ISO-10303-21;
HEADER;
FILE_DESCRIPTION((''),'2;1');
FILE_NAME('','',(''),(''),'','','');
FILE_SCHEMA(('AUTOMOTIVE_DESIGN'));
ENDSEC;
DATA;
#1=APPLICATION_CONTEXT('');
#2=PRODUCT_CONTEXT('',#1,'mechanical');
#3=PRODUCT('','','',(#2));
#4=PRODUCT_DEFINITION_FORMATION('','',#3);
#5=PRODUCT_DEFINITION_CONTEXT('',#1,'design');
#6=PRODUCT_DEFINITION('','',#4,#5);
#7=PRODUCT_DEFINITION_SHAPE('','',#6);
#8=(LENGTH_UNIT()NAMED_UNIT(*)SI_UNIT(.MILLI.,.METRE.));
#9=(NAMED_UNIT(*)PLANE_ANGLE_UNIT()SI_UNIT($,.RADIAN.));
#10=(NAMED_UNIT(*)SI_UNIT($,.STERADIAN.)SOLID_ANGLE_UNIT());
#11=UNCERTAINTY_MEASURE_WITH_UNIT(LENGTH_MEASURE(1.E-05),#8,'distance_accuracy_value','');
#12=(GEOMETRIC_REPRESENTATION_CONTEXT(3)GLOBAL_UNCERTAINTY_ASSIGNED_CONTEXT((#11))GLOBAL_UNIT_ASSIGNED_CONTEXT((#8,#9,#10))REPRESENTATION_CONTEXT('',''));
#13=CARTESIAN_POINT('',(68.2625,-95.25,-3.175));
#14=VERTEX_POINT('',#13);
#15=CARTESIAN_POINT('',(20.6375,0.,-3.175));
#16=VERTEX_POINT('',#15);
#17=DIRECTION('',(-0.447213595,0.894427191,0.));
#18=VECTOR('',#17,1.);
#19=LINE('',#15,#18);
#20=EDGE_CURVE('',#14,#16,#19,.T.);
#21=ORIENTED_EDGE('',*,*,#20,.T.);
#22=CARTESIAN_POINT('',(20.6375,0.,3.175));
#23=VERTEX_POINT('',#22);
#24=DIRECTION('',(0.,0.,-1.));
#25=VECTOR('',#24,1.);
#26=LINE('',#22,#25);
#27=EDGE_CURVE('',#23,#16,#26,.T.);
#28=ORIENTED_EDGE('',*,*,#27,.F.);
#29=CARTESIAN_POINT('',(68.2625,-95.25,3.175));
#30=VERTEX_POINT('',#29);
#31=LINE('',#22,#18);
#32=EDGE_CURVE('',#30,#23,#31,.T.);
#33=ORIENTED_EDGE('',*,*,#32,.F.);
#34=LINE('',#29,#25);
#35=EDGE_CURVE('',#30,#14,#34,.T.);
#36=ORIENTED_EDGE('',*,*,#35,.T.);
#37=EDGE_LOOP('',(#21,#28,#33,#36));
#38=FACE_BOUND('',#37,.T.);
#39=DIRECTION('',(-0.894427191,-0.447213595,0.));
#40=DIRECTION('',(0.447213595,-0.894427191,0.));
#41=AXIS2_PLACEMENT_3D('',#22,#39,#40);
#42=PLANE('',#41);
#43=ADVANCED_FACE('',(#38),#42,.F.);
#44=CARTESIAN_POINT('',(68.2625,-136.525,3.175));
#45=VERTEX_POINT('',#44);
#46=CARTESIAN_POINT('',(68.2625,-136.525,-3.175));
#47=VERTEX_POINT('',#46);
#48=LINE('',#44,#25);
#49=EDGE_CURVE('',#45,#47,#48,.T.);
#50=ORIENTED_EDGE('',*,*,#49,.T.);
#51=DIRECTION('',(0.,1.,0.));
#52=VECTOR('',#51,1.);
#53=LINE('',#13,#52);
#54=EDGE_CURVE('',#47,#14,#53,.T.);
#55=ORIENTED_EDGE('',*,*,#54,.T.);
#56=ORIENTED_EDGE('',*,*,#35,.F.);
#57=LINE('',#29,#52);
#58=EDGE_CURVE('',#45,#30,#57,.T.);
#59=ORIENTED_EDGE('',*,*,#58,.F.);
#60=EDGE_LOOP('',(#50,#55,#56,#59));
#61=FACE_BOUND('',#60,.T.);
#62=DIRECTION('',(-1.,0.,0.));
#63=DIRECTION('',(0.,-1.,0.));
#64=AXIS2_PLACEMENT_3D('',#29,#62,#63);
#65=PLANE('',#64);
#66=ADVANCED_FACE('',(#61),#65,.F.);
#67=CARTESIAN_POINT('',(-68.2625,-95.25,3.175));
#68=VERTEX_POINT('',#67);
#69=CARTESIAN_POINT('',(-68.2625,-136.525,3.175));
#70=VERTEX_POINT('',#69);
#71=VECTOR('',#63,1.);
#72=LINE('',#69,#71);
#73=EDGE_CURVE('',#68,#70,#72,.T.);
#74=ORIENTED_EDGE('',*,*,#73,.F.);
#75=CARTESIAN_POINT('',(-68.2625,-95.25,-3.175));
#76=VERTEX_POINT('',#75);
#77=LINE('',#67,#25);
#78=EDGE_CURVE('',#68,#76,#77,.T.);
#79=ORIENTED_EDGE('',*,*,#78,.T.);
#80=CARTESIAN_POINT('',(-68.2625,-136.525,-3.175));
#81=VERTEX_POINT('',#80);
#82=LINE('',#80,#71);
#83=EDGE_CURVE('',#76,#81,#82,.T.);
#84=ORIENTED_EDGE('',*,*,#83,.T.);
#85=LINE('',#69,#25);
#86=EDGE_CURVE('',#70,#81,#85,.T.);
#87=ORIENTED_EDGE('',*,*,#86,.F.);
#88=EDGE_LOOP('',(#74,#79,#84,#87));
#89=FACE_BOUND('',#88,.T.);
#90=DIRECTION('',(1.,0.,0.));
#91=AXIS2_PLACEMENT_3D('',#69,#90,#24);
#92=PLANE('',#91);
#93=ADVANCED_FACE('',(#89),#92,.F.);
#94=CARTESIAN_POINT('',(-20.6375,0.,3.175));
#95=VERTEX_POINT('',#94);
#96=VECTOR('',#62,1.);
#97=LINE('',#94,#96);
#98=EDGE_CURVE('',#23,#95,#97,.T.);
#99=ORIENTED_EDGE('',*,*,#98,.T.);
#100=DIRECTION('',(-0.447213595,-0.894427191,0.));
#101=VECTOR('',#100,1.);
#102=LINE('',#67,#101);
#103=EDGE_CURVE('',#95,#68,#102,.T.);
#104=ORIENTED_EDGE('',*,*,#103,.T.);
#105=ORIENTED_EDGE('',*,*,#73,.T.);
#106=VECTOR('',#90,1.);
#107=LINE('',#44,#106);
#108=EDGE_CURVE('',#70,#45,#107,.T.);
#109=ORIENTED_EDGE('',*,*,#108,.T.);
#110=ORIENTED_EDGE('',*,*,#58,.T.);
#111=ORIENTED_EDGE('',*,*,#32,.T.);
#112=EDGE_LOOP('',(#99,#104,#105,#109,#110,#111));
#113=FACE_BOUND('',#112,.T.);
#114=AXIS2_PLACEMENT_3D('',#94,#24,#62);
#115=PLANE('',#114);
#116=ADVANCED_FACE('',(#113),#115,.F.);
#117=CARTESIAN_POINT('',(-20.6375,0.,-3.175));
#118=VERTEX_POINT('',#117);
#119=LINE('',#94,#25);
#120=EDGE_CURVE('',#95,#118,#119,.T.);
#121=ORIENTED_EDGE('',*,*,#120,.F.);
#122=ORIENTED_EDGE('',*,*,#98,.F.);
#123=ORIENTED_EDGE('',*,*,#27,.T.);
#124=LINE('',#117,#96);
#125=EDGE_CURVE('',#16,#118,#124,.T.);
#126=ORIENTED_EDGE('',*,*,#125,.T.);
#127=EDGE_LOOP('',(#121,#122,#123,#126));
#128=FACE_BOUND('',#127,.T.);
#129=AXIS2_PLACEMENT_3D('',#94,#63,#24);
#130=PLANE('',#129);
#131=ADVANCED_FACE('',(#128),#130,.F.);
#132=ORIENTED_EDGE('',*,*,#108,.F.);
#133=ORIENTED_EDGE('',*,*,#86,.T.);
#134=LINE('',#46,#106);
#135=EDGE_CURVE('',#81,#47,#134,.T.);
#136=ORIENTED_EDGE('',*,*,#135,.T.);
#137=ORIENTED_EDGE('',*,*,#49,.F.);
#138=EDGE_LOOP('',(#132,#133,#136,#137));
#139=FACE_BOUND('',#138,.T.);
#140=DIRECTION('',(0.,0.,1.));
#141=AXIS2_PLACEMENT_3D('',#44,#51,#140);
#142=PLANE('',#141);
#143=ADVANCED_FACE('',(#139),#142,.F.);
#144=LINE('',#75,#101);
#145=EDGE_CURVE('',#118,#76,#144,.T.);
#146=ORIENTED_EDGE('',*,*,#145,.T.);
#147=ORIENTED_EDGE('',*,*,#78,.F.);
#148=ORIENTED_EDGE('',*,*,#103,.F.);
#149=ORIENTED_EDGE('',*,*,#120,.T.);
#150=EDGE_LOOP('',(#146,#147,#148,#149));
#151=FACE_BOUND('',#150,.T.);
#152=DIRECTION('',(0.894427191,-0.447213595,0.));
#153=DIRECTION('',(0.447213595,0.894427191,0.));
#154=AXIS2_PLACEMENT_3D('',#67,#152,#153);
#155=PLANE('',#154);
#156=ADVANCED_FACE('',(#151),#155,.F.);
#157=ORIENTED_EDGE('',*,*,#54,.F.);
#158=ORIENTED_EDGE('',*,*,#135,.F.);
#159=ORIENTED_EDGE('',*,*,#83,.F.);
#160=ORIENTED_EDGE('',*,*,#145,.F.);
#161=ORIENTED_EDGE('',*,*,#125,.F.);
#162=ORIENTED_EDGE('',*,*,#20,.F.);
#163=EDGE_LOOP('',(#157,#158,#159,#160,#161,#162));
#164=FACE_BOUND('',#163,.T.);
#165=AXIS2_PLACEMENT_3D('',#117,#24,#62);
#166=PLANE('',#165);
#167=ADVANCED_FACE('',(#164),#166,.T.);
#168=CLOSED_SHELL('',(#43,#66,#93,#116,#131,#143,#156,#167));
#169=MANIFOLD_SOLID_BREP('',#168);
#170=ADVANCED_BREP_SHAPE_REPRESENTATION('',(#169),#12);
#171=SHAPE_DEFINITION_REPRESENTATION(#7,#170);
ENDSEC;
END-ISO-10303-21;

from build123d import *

# Parameters (mm, degrees)
SKETCH1_R           = 7.14375
BOSS_EXTRUDE1_DEPTH = 3.175
BOSS_EXTRUDE3_START = -6.35
SKETCH2_R           = 7.14375
BOSS_EXTRUDE3_DEPTH = 6.35


with BuildPart() as part:
    # Sketch1 → Boss-Extrude1 (new, symmetric)
    with BuildSketch(Plane.XY):
        Polygon((-20.6375, 0), (20.6375, 0), (68.2625, -95.25), (68.2625, -136.525), (-68.2625, -136.525), (-68.2625, -95.25), align=None)
        with Locations((0, -115.8875)):
            Circle(SKETCH1_R, mode=Mode.SUBTRACT)
        with Locations((0, -68.2625)):
            Circle(SKETCH1_R, mode=Mode.SUBTRACT)
        with Locations((0, -20.6375)):
            Circle(SKETCH1_R, mode=Mode.SUBTRACT)
        with Locations((47.625, -115.8875)):
            Circle(SKETCH1_R, mode=Mode.SUBTRACT)
        with Locations((-47.625, -115.8875)):
            Circle(SKETCH1_R, mode=Mode.SUBTRACT)
    extrude(amount=BOSS_EXTRUDE1_DEPTH, both=True)

    # Sketch2 → Boss-Extrude3 (add)
    with BuildSketch(Plane.XY.offset(3.175).offset(BOSS_EXTRUDE3_START)):
        with Locations((0, -68.2625)):
            Circle(SKETCH2_R)
        with Locations((0, -20.6375)):
            Circle(SKETCH2_R)
        with Locations((-47.625, -115.8875)):
            Circle(SKETCH2_R)
        with Locations((0, -115.8875)):
            Circle(SKETCH2_R)
        with Locations((47.625, -115.8875)):
            Circle(SKETCH2_R)
    extrude(amount=BOSS_EXTRUDE3_DEPTH)


solid = part.part
